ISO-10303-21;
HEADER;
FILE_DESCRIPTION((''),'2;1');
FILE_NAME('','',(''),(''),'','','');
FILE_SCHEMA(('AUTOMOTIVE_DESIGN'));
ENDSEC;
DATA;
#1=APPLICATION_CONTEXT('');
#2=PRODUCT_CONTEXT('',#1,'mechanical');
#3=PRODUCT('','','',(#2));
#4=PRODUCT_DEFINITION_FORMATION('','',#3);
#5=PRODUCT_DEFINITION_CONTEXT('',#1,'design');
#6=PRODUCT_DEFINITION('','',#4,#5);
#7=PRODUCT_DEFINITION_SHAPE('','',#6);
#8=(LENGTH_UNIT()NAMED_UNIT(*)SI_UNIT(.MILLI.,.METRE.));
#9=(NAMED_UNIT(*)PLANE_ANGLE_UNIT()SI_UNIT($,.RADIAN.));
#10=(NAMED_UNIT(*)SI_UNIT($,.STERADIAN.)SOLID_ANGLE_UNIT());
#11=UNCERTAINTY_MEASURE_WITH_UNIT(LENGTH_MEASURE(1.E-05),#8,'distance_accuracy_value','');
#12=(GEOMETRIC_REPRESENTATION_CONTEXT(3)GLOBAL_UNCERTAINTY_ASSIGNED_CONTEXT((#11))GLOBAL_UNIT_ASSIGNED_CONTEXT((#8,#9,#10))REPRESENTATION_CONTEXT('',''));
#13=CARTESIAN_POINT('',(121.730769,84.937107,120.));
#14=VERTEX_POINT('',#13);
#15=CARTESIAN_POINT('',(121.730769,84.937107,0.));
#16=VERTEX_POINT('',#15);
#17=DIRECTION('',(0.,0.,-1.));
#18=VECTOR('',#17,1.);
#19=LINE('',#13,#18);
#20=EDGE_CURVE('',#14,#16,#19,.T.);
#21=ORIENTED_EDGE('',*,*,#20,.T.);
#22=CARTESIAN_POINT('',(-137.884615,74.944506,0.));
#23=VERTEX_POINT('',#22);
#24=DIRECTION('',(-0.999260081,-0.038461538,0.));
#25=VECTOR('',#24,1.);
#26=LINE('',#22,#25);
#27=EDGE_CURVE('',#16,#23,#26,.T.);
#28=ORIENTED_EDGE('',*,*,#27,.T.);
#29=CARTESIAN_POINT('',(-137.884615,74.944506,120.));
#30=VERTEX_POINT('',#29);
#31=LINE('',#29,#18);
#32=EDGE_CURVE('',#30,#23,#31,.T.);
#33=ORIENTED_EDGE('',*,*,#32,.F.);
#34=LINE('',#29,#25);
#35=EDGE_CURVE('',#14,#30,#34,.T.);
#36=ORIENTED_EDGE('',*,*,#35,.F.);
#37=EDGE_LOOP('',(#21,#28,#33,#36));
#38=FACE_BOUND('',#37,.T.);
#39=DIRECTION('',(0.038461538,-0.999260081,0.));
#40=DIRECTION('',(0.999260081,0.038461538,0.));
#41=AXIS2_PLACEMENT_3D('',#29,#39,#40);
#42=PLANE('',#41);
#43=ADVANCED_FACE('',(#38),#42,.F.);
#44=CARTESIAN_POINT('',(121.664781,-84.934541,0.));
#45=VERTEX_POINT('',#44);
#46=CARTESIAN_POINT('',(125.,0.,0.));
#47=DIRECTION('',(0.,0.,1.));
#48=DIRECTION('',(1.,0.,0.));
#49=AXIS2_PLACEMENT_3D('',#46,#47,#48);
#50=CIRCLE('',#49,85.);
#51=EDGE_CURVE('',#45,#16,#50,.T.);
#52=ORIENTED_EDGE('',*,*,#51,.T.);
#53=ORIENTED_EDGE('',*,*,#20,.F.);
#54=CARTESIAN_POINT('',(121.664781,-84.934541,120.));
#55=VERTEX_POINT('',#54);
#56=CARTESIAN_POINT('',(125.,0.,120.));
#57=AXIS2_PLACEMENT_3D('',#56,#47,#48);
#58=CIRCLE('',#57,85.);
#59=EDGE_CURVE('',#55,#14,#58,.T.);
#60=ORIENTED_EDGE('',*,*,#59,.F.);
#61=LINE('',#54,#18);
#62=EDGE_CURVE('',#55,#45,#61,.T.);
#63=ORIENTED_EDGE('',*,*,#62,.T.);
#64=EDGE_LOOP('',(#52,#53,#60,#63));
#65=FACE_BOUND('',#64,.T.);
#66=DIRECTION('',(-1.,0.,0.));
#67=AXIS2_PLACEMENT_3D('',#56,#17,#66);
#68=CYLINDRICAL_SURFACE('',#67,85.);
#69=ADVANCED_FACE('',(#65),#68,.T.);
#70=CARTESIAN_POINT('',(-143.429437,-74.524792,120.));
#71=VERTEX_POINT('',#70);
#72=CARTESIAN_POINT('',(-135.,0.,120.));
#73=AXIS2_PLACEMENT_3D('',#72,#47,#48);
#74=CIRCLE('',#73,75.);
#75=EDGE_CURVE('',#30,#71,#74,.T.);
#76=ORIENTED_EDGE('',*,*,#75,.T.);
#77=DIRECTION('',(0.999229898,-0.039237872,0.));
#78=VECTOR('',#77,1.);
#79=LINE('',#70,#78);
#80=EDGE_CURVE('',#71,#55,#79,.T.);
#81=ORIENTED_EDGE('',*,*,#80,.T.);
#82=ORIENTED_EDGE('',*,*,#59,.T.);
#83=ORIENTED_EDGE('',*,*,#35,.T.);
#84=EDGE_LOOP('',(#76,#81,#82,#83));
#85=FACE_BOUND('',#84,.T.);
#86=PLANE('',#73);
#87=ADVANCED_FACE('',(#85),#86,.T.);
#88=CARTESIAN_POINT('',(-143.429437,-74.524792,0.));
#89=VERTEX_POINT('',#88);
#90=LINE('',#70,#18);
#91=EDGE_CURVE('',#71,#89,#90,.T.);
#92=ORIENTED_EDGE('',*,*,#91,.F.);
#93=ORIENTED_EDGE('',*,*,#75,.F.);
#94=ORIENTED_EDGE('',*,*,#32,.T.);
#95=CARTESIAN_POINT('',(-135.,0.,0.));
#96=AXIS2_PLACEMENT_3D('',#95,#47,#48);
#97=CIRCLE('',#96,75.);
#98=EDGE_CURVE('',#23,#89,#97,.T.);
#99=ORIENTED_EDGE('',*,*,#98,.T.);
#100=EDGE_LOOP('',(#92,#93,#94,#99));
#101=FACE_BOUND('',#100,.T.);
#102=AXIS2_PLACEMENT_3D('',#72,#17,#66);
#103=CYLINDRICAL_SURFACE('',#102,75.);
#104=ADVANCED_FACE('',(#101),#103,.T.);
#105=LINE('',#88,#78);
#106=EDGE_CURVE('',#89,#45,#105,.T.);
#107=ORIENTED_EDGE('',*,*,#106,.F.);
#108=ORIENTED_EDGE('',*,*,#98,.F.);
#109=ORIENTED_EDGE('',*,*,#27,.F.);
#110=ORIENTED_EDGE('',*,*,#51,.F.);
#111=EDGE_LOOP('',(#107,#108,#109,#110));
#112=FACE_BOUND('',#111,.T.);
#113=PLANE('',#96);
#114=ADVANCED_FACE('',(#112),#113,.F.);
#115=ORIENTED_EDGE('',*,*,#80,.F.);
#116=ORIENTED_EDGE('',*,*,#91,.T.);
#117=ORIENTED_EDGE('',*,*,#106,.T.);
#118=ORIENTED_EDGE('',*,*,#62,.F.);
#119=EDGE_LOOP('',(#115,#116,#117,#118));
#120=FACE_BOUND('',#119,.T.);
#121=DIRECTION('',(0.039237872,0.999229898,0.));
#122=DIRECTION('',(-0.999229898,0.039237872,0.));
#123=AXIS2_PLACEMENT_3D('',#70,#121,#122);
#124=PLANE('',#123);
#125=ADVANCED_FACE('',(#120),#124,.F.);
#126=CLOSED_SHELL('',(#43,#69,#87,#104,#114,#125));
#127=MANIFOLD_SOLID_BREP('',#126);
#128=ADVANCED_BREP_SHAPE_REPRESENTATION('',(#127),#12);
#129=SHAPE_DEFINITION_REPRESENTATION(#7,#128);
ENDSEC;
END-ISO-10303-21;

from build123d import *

# Parameters (mm, degrees)
EXTRUDE1_DEPTH = 120


with BuildPart() as part:
    # Sketch1 → Extrude1 (new body)
    with BuildSketch(Plane.XY):
        with BuildLine():
            Line((-137.884615385, 74.944506097), (121.730769231, 84.93710691))
            ThreePointArc((121.730769231, 84.93710691), (209.999993587, -0.033019104), (121.664780878, -84.934541345))
            Line((121.664780878, -84.934541345), (-143.429437146, -74.524791777))
            ThreePointArc((-143.429437146, -74.524791777), (-209.948446934, 2.780342087), (-137.884615385, 74.944506097))
        make_face()
    extrude(amount=EXTRUDE1_DEPTH)


solid = part.part
